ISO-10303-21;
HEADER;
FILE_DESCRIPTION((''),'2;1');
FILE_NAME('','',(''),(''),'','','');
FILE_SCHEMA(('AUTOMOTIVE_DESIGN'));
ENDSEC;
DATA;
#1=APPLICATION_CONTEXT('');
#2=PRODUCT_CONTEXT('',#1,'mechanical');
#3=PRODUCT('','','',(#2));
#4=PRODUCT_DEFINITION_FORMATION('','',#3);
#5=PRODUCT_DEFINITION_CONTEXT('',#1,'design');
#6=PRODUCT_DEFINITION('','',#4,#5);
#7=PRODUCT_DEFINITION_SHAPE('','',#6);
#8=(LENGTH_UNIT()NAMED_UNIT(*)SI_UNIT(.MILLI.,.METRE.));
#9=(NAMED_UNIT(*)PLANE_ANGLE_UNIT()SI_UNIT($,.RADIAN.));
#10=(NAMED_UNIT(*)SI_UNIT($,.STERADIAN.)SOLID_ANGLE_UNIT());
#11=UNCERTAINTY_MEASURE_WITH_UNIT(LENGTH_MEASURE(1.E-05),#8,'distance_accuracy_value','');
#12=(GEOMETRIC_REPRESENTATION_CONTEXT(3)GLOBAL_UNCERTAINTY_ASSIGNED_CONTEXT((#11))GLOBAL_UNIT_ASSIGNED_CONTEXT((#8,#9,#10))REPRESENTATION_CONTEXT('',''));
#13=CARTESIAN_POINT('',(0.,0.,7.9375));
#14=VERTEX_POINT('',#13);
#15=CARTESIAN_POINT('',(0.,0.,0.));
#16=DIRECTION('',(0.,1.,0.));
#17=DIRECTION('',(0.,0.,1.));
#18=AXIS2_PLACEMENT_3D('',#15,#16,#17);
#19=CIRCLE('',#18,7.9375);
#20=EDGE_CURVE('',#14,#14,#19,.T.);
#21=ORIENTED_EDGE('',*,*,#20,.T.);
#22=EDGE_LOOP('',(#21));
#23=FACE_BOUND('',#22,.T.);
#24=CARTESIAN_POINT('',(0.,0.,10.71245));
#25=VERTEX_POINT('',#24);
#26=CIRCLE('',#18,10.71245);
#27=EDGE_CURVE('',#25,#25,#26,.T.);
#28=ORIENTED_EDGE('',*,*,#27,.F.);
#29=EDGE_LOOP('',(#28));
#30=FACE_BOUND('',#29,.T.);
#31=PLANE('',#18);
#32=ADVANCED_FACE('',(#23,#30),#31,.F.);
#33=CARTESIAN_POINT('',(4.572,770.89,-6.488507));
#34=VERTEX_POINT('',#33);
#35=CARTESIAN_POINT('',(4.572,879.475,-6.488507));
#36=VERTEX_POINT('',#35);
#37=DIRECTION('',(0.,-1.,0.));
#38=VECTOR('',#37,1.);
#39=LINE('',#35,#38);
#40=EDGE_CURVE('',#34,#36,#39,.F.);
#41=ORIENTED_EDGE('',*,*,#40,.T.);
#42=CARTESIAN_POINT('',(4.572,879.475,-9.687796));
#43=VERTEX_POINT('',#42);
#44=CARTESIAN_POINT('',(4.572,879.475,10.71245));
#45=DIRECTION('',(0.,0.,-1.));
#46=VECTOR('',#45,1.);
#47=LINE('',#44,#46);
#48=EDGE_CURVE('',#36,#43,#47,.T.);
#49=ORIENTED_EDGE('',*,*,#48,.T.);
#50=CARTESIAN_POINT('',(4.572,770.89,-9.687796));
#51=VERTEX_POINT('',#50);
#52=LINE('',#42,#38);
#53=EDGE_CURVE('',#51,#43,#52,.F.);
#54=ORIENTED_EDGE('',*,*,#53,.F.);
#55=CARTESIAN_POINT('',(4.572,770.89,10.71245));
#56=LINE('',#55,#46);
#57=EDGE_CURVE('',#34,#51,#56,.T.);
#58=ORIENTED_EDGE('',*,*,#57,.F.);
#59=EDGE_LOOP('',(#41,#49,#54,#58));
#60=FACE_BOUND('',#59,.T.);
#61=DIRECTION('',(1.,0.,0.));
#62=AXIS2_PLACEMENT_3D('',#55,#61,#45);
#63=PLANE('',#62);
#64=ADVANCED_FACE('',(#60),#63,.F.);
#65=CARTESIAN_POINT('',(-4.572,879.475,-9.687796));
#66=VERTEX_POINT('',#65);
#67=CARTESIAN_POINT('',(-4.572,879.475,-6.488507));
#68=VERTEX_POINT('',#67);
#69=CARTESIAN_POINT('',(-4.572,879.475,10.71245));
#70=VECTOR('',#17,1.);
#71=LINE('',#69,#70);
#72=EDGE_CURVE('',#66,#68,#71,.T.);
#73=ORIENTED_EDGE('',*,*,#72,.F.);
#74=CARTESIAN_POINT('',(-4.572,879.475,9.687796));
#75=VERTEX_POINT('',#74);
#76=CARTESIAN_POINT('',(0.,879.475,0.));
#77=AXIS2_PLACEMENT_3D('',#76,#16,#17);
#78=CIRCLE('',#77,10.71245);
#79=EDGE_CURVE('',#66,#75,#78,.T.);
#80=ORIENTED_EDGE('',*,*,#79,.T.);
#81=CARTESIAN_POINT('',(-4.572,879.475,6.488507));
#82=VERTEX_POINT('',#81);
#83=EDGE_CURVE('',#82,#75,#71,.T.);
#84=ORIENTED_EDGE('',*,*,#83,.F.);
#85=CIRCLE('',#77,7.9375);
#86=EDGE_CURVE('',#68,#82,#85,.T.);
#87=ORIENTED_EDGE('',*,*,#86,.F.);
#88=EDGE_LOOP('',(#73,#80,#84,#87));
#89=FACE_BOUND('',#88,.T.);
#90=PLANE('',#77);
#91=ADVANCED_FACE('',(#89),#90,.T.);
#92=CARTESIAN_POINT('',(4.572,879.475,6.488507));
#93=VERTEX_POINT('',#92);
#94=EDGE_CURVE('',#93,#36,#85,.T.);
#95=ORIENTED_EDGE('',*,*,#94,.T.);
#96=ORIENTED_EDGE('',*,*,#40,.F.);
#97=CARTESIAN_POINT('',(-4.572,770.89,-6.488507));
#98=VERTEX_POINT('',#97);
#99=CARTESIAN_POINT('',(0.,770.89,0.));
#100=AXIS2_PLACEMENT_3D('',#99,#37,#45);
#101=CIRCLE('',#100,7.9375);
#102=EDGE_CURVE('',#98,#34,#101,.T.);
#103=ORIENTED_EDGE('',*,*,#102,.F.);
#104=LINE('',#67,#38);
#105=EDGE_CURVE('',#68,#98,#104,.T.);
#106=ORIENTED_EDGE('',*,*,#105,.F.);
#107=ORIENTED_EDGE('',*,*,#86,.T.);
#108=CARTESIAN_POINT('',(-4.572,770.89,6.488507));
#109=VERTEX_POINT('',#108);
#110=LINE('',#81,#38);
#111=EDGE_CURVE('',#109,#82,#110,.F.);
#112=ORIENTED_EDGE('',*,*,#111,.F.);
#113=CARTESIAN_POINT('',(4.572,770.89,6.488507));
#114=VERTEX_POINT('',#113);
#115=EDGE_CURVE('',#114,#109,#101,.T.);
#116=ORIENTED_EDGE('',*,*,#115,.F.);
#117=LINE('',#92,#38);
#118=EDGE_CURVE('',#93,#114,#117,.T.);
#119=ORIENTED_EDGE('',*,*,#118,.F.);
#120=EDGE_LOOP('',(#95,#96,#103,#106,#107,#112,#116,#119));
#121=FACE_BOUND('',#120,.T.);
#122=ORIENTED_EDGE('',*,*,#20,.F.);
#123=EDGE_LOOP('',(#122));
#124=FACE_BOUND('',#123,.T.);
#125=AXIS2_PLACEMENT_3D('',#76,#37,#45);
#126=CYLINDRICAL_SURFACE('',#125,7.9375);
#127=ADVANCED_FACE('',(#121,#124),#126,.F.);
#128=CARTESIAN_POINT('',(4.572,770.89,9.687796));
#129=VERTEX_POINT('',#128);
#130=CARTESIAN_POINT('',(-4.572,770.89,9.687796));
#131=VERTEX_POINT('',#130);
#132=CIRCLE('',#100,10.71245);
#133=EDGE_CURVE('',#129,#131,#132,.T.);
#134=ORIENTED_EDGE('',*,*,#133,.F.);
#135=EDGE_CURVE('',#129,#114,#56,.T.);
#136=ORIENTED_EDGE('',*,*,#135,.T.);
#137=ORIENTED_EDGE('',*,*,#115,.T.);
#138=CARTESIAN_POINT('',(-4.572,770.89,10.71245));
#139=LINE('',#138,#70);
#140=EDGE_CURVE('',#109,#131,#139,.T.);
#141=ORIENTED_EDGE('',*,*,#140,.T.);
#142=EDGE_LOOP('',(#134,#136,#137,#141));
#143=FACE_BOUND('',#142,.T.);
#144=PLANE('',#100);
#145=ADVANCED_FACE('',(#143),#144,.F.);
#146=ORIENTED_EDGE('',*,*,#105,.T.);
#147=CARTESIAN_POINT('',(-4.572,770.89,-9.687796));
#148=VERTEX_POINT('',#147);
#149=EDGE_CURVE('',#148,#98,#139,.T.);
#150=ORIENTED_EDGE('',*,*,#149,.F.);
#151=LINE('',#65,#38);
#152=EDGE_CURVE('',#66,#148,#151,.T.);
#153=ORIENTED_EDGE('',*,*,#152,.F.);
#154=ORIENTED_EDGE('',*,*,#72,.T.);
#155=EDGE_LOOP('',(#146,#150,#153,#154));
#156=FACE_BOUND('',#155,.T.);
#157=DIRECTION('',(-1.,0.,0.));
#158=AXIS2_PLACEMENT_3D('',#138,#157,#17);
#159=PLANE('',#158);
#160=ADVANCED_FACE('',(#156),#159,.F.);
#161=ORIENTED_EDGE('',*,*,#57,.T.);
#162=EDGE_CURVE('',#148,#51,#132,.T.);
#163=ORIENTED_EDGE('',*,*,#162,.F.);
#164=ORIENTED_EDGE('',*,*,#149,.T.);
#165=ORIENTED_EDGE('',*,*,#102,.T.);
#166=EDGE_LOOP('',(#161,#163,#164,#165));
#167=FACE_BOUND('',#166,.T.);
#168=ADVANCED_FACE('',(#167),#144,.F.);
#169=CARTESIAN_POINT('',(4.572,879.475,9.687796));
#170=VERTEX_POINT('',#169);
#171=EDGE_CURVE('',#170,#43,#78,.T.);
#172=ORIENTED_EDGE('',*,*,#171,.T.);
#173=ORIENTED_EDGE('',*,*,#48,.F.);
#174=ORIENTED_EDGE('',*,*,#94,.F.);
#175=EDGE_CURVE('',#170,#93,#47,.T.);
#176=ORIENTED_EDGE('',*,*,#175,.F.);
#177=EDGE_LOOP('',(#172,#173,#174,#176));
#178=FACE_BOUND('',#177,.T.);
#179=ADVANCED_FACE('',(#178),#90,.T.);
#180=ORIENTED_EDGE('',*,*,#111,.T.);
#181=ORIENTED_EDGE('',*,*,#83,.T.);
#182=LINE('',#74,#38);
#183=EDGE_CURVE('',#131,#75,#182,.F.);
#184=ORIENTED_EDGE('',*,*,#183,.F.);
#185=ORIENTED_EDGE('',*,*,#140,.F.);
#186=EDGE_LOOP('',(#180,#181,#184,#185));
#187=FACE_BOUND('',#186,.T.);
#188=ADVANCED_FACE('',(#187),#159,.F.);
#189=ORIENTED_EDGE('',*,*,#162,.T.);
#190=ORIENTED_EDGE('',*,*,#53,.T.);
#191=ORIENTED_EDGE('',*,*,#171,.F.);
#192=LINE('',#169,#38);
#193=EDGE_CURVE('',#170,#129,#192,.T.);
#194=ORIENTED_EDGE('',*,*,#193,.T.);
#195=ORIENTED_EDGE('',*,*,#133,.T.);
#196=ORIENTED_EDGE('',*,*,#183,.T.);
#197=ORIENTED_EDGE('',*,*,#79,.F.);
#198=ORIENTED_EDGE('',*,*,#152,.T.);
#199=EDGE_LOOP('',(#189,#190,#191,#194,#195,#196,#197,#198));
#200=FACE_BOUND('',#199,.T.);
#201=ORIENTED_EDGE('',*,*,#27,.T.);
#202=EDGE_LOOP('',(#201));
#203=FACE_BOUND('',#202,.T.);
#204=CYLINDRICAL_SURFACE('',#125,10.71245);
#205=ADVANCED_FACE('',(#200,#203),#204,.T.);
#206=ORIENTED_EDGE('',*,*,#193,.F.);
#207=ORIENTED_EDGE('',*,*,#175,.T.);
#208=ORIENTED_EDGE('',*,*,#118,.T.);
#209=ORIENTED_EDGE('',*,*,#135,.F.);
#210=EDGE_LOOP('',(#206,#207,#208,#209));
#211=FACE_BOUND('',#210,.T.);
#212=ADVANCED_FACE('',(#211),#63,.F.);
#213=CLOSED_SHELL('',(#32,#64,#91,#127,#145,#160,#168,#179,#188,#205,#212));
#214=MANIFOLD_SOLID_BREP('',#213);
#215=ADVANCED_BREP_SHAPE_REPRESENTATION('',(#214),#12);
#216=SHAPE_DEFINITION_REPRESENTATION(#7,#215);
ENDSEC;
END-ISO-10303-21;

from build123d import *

# Parameters (mm, degrees)
SKETCH1_R           = 10.71245
SKETCH1_R_2         = 7.9375
BOSS_EXTRUDE1_DEPTH = 879.475
SKETCH2_W           = 9.144
SKETCH2_H           = 21.4249
CUT_EXTRUDE1_DEPTH  = 108.585


with BuildPart() as part:
    # Sketch1 → Boss-Extrude1 (new body)
    with BuildSketch(Plane(origin=(0, 0, 0), x_dir=(1, 0, 0), z_dir=(0, 1, 0))):
        Circle(SKETCH1_R)
        Circle(SKETCH1_R_2, mode=Mode.SUBTRACT)
    extrude(amount=BOSS_EXTRUDE1_DEPTH)

    # Sketch2 → Cut-Extrude1 (cut)
    with BuildSketch(Plane(origin=(0, 879.475, 0), x_dir=(1, 0, 0), z_dir=(0, 1, 0))):
        Rectangle(SKETCH2_W, SKETCH2_H)
    extrude(amount=-CUT_EXTRUDE1_DEPTH, mode=Mode.SUBTRACT)


solid = part.part
